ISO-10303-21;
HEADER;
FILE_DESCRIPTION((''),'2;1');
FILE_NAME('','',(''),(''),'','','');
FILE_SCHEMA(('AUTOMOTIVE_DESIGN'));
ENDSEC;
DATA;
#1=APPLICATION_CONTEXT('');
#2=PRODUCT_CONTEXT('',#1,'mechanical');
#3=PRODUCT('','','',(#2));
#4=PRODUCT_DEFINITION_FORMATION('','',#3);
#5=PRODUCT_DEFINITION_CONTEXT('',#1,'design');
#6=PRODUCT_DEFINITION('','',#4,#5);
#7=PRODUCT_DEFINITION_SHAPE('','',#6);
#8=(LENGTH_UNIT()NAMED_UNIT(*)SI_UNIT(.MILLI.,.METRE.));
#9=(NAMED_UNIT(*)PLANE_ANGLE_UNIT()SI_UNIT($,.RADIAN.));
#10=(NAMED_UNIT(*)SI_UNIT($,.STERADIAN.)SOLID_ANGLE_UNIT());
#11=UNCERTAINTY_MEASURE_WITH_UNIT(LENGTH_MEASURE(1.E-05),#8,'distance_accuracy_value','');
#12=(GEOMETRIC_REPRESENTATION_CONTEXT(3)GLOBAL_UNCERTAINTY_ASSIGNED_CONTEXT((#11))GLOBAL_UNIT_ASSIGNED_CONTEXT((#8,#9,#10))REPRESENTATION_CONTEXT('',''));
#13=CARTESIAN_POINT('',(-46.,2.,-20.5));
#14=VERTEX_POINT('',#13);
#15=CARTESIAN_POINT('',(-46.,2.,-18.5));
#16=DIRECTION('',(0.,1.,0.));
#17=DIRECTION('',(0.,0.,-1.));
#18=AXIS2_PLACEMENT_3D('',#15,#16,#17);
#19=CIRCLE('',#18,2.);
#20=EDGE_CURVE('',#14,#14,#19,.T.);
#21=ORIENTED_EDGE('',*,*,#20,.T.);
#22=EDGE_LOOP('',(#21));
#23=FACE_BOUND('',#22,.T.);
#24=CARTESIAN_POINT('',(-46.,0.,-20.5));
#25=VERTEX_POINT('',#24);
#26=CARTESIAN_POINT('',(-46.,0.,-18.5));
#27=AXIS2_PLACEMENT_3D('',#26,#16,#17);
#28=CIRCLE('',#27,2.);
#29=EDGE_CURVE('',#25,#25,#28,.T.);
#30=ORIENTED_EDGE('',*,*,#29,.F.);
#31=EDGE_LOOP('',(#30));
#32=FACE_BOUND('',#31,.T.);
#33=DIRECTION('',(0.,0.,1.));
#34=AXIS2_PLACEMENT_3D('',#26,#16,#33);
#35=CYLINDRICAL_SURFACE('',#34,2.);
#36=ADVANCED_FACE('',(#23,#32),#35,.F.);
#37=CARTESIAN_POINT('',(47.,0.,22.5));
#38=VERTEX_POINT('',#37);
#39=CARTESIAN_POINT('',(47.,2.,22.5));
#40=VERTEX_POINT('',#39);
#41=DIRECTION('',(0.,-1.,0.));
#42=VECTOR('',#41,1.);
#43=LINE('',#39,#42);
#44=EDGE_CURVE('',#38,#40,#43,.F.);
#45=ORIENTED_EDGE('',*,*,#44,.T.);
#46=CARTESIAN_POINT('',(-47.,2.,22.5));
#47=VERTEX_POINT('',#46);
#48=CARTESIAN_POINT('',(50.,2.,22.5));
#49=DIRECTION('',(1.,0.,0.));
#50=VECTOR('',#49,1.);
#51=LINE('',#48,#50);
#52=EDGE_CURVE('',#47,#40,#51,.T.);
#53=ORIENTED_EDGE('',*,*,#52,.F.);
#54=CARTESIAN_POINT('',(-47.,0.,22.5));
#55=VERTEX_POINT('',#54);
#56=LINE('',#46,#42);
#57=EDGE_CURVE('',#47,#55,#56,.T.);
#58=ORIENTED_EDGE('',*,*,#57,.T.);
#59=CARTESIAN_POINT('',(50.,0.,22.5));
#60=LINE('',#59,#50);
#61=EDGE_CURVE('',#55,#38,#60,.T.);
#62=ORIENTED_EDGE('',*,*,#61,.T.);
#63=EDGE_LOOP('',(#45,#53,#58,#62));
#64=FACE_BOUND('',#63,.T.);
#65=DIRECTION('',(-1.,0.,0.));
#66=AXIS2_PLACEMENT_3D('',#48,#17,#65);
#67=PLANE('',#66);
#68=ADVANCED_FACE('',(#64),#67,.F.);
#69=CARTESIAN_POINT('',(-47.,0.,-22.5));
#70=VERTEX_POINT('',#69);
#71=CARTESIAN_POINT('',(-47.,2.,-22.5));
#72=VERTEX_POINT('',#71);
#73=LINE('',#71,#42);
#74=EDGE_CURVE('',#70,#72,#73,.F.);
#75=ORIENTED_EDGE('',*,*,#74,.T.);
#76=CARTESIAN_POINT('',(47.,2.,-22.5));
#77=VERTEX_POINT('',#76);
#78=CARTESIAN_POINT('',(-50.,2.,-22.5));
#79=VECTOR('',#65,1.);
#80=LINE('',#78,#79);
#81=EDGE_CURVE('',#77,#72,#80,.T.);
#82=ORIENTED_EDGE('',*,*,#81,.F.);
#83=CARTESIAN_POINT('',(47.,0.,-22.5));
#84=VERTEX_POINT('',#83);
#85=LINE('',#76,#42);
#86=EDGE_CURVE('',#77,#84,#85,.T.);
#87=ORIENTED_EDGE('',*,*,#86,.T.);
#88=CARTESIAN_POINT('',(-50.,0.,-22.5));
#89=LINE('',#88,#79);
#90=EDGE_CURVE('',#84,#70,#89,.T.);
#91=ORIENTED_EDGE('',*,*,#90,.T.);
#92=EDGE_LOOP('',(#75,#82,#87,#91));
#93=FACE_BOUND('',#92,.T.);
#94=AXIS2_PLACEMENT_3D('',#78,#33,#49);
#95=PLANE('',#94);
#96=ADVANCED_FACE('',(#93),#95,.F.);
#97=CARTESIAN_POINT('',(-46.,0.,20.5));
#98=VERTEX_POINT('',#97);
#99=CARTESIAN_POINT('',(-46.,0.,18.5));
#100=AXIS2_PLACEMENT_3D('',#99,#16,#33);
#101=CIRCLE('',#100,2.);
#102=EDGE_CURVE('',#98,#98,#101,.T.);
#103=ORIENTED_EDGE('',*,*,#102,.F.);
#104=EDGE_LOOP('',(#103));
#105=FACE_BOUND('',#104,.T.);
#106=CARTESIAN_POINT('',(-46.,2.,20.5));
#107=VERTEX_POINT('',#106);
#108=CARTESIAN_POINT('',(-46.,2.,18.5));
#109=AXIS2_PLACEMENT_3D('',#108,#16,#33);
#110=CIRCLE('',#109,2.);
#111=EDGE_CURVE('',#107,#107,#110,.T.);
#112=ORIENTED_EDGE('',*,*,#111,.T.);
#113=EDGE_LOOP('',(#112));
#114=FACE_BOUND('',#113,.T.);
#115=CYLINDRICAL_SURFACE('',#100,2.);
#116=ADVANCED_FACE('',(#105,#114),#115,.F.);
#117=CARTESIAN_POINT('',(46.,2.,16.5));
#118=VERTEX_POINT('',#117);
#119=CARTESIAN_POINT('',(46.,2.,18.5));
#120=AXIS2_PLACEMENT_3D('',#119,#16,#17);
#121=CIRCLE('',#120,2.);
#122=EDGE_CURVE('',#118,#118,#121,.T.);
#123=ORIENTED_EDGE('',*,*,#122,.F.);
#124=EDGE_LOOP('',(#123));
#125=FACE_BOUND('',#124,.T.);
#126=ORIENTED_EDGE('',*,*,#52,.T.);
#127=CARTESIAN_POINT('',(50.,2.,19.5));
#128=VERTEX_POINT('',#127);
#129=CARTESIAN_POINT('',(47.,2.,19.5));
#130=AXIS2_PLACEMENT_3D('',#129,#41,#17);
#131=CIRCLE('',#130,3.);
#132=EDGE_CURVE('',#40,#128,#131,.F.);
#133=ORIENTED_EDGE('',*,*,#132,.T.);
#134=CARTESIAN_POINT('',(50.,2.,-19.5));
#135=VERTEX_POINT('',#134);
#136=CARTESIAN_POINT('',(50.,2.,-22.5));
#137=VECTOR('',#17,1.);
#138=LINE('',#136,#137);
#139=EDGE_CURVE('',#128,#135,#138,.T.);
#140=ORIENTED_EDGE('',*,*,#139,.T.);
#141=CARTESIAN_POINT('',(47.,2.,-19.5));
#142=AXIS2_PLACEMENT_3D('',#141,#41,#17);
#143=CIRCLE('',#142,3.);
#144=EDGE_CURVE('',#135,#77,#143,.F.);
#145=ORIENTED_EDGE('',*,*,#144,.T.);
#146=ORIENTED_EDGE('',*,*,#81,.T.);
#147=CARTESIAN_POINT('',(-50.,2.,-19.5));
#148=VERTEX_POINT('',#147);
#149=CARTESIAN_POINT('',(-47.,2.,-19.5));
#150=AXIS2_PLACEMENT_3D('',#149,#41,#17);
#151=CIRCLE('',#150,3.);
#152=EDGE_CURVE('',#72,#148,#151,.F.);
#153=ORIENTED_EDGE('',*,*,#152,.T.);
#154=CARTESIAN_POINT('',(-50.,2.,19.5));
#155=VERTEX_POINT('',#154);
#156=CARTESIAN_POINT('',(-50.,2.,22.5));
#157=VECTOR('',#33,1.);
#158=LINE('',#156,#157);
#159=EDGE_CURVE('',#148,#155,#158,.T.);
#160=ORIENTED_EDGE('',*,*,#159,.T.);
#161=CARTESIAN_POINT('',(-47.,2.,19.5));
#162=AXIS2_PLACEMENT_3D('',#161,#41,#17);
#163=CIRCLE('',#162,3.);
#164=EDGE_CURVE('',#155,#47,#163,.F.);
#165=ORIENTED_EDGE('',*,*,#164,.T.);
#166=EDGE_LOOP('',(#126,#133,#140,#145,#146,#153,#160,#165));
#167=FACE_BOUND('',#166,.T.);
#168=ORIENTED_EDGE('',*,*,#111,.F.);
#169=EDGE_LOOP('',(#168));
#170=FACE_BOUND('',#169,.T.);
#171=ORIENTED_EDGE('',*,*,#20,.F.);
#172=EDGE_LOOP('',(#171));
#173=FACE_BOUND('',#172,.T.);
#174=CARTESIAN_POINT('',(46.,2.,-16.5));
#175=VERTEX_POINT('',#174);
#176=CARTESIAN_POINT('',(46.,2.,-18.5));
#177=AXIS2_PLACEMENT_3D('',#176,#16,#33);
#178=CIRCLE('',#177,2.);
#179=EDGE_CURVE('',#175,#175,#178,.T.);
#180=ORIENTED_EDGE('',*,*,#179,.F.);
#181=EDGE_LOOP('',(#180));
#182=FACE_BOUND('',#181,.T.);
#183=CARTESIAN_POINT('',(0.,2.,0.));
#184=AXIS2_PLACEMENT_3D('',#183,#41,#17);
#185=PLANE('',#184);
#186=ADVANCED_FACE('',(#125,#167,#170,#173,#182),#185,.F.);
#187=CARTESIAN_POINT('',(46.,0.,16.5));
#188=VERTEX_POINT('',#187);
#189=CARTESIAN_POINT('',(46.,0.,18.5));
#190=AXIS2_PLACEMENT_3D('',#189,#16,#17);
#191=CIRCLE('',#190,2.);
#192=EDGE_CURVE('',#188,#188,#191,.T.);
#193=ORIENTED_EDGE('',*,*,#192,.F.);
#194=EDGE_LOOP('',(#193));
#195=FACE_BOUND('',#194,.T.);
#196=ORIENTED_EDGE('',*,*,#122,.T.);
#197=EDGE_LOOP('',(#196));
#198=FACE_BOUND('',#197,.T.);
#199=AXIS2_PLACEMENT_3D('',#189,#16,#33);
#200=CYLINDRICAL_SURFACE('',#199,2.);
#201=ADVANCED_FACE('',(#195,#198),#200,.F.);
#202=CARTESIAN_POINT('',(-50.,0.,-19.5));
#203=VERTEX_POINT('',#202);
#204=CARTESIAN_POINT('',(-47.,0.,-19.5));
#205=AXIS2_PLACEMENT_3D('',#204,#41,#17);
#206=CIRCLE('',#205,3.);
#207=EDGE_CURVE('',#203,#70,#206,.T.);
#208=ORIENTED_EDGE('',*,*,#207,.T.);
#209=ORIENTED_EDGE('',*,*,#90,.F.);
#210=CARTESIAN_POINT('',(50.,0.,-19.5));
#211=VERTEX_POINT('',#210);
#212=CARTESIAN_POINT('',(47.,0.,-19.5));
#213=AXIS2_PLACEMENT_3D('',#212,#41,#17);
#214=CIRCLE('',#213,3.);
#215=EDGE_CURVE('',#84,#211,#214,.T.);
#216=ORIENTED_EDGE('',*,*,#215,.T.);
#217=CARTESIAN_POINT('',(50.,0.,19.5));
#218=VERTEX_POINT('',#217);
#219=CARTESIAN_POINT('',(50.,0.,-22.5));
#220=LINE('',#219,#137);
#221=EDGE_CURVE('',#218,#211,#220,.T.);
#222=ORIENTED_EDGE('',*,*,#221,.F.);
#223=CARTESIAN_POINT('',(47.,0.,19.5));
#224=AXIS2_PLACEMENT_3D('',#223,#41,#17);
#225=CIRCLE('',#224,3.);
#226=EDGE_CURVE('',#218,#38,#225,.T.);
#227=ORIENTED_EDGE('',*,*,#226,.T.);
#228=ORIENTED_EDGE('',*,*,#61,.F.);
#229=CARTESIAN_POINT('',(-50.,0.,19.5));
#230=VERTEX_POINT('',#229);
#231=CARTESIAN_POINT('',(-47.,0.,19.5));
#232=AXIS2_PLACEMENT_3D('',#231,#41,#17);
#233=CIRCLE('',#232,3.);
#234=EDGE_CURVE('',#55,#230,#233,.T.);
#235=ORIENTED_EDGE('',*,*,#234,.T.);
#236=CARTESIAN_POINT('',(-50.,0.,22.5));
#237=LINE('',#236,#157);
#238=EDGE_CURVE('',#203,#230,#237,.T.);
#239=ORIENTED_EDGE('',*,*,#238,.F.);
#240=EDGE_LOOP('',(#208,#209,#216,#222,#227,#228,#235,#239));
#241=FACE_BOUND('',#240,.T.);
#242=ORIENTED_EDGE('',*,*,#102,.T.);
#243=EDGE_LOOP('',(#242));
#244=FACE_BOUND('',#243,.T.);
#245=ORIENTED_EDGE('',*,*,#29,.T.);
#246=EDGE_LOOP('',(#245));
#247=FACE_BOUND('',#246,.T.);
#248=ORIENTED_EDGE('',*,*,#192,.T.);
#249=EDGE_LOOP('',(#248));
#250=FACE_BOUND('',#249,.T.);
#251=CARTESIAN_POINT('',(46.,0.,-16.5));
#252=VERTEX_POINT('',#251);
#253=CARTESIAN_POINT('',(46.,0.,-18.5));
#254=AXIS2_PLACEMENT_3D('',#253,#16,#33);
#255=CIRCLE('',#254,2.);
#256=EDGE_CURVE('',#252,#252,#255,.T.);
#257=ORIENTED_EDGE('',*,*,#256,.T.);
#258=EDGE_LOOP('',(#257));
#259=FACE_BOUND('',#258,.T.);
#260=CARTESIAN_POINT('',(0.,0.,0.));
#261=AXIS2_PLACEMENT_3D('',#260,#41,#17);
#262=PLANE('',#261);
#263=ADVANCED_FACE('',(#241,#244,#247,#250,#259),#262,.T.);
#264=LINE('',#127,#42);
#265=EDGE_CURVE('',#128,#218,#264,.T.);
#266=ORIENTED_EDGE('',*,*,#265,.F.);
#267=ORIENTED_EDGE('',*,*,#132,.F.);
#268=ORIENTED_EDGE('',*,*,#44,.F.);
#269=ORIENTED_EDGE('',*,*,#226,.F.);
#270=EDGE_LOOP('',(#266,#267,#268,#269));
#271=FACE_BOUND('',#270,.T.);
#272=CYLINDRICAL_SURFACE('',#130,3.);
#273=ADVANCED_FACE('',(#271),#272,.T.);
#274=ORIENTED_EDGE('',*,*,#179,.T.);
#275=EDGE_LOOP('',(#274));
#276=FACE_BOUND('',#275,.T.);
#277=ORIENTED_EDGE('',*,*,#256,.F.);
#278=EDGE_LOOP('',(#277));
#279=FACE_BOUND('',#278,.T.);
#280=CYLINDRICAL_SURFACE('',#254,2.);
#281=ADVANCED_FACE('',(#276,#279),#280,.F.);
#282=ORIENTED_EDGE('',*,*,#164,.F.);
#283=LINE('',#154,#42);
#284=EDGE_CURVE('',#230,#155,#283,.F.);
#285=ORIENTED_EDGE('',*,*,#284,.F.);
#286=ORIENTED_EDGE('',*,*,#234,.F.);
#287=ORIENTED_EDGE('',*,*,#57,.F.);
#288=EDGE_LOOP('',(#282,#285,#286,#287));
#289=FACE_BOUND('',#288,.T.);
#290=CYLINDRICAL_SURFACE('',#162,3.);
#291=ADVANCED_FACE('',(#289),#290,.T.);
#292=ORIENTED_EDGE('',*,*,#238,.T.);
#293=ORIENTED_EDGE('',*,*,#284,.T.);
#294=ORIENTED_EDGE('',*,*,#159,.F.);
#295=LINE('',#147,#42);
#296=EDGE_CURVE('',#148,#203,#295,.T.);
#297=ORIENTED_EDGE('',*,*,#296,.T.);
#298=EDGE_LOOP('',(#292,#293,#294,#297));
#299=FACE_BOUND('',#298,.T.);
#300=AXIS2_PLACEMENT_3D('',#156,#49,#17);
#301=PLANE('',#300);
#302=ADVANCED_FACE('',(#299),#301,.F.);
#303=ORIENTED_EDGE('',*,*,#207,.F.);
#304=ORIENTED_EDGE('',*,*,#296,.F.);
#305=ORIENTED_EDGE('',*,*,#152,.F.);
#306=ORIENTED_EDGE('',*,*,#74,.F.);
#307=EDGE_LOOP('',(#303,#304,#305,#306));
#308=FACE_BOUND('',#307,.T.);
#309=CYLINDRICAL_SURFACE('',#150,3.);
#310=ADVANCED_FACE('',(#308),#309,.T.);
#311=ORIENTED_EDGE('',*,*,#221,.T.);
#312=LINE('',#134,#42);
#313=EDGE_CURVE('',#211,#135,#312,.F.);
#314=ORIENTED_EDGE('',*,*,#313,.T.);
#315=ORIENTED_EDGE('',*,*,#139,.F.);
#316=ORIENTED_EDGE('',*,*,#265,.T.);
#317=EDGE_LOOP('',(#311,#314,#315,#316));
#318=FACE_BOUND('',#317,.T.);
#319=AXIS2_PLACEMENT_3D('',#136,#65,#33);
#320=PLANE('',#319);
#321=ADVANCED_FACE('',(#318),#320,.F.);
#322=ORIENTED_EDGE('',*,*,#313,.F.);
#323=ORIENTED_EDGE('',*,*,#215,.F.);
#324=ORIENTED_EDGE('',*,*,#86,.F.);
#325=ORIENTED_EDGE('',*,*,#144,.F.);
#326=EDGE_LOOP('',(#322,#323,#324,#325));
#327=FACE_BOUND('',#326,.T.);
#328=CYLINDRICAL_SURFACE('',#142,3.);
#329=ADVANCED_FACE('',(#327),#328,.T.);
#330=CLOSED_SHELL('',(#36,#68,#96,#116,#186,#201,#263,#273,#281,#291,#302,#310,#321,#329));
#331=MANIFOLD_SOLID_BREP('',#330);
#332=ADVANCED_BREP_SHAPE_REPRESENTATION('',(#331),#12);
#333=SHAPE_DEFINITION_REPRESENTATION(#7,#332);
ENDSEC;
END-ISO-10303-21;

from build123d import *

# Parameters (mm, degrees)
ESBO_O1_W                = 100
ESBO_O1_H                = 45
RESSALTO_EXTRUS_O1_DEPTH = 2
ESBO_O5_R                = 2
CORTE_EXTRUS_O3_DEPTH    = 55.865745233
FILETE1_R                = 3


with BuildPart() as part:
    # Esboço1 → Ressalto-extrusão1 (new body)
    with BuildSketch(Plane(origin=(0, 0, 0), x_dir=(1, 0, 0), z_dir=(0, 1, 0))):
        Rectangle(ESBO_O1_W, ESBO_O1_H)
    extrude(amount=RESSALTO_EXTRUS_O1_DEPTH)

    # Esboço5 → Corte-extrusão3 (cut, through all)
    with BuildSketch(Plane(origin=(0, 2, 0), x_dir=(1, 0, 0), z_dir=(0, 1, 0))):
        with Locations(Location((46, 18.5, 0), (0, 0, 270))):
            Circle(ESBO_O5_R)
        with Locations(Location((46, -18.5, 0), (0, 0, 90))):
            Circle(ESBO_O5_R)
        with Locations(Location((-46, -18.5, 0), (0, 0, 270))):
            Circle(ESBO_O5_R)
        with Locations(Location((-46, 18.5, 0), (0, 0, 90))):
            Circle(ESBO_O5_R)
    extrude(amount=-CORTE_EXTRUS_O3_DEPTH, mode=Mode.SUBTRACT)

    # Filete1
    filete1_edges = [part.edges().sort_by_distance(p)[0] for p in [
        (-50, 1, -22.5),
        (50, 1, -22.5),
        (50, 1, 22.5),
        (-50, 1, 22.5),
    ]]
    fillet(filete1_edges, radius=FILETE1_R)


solid = part.part
